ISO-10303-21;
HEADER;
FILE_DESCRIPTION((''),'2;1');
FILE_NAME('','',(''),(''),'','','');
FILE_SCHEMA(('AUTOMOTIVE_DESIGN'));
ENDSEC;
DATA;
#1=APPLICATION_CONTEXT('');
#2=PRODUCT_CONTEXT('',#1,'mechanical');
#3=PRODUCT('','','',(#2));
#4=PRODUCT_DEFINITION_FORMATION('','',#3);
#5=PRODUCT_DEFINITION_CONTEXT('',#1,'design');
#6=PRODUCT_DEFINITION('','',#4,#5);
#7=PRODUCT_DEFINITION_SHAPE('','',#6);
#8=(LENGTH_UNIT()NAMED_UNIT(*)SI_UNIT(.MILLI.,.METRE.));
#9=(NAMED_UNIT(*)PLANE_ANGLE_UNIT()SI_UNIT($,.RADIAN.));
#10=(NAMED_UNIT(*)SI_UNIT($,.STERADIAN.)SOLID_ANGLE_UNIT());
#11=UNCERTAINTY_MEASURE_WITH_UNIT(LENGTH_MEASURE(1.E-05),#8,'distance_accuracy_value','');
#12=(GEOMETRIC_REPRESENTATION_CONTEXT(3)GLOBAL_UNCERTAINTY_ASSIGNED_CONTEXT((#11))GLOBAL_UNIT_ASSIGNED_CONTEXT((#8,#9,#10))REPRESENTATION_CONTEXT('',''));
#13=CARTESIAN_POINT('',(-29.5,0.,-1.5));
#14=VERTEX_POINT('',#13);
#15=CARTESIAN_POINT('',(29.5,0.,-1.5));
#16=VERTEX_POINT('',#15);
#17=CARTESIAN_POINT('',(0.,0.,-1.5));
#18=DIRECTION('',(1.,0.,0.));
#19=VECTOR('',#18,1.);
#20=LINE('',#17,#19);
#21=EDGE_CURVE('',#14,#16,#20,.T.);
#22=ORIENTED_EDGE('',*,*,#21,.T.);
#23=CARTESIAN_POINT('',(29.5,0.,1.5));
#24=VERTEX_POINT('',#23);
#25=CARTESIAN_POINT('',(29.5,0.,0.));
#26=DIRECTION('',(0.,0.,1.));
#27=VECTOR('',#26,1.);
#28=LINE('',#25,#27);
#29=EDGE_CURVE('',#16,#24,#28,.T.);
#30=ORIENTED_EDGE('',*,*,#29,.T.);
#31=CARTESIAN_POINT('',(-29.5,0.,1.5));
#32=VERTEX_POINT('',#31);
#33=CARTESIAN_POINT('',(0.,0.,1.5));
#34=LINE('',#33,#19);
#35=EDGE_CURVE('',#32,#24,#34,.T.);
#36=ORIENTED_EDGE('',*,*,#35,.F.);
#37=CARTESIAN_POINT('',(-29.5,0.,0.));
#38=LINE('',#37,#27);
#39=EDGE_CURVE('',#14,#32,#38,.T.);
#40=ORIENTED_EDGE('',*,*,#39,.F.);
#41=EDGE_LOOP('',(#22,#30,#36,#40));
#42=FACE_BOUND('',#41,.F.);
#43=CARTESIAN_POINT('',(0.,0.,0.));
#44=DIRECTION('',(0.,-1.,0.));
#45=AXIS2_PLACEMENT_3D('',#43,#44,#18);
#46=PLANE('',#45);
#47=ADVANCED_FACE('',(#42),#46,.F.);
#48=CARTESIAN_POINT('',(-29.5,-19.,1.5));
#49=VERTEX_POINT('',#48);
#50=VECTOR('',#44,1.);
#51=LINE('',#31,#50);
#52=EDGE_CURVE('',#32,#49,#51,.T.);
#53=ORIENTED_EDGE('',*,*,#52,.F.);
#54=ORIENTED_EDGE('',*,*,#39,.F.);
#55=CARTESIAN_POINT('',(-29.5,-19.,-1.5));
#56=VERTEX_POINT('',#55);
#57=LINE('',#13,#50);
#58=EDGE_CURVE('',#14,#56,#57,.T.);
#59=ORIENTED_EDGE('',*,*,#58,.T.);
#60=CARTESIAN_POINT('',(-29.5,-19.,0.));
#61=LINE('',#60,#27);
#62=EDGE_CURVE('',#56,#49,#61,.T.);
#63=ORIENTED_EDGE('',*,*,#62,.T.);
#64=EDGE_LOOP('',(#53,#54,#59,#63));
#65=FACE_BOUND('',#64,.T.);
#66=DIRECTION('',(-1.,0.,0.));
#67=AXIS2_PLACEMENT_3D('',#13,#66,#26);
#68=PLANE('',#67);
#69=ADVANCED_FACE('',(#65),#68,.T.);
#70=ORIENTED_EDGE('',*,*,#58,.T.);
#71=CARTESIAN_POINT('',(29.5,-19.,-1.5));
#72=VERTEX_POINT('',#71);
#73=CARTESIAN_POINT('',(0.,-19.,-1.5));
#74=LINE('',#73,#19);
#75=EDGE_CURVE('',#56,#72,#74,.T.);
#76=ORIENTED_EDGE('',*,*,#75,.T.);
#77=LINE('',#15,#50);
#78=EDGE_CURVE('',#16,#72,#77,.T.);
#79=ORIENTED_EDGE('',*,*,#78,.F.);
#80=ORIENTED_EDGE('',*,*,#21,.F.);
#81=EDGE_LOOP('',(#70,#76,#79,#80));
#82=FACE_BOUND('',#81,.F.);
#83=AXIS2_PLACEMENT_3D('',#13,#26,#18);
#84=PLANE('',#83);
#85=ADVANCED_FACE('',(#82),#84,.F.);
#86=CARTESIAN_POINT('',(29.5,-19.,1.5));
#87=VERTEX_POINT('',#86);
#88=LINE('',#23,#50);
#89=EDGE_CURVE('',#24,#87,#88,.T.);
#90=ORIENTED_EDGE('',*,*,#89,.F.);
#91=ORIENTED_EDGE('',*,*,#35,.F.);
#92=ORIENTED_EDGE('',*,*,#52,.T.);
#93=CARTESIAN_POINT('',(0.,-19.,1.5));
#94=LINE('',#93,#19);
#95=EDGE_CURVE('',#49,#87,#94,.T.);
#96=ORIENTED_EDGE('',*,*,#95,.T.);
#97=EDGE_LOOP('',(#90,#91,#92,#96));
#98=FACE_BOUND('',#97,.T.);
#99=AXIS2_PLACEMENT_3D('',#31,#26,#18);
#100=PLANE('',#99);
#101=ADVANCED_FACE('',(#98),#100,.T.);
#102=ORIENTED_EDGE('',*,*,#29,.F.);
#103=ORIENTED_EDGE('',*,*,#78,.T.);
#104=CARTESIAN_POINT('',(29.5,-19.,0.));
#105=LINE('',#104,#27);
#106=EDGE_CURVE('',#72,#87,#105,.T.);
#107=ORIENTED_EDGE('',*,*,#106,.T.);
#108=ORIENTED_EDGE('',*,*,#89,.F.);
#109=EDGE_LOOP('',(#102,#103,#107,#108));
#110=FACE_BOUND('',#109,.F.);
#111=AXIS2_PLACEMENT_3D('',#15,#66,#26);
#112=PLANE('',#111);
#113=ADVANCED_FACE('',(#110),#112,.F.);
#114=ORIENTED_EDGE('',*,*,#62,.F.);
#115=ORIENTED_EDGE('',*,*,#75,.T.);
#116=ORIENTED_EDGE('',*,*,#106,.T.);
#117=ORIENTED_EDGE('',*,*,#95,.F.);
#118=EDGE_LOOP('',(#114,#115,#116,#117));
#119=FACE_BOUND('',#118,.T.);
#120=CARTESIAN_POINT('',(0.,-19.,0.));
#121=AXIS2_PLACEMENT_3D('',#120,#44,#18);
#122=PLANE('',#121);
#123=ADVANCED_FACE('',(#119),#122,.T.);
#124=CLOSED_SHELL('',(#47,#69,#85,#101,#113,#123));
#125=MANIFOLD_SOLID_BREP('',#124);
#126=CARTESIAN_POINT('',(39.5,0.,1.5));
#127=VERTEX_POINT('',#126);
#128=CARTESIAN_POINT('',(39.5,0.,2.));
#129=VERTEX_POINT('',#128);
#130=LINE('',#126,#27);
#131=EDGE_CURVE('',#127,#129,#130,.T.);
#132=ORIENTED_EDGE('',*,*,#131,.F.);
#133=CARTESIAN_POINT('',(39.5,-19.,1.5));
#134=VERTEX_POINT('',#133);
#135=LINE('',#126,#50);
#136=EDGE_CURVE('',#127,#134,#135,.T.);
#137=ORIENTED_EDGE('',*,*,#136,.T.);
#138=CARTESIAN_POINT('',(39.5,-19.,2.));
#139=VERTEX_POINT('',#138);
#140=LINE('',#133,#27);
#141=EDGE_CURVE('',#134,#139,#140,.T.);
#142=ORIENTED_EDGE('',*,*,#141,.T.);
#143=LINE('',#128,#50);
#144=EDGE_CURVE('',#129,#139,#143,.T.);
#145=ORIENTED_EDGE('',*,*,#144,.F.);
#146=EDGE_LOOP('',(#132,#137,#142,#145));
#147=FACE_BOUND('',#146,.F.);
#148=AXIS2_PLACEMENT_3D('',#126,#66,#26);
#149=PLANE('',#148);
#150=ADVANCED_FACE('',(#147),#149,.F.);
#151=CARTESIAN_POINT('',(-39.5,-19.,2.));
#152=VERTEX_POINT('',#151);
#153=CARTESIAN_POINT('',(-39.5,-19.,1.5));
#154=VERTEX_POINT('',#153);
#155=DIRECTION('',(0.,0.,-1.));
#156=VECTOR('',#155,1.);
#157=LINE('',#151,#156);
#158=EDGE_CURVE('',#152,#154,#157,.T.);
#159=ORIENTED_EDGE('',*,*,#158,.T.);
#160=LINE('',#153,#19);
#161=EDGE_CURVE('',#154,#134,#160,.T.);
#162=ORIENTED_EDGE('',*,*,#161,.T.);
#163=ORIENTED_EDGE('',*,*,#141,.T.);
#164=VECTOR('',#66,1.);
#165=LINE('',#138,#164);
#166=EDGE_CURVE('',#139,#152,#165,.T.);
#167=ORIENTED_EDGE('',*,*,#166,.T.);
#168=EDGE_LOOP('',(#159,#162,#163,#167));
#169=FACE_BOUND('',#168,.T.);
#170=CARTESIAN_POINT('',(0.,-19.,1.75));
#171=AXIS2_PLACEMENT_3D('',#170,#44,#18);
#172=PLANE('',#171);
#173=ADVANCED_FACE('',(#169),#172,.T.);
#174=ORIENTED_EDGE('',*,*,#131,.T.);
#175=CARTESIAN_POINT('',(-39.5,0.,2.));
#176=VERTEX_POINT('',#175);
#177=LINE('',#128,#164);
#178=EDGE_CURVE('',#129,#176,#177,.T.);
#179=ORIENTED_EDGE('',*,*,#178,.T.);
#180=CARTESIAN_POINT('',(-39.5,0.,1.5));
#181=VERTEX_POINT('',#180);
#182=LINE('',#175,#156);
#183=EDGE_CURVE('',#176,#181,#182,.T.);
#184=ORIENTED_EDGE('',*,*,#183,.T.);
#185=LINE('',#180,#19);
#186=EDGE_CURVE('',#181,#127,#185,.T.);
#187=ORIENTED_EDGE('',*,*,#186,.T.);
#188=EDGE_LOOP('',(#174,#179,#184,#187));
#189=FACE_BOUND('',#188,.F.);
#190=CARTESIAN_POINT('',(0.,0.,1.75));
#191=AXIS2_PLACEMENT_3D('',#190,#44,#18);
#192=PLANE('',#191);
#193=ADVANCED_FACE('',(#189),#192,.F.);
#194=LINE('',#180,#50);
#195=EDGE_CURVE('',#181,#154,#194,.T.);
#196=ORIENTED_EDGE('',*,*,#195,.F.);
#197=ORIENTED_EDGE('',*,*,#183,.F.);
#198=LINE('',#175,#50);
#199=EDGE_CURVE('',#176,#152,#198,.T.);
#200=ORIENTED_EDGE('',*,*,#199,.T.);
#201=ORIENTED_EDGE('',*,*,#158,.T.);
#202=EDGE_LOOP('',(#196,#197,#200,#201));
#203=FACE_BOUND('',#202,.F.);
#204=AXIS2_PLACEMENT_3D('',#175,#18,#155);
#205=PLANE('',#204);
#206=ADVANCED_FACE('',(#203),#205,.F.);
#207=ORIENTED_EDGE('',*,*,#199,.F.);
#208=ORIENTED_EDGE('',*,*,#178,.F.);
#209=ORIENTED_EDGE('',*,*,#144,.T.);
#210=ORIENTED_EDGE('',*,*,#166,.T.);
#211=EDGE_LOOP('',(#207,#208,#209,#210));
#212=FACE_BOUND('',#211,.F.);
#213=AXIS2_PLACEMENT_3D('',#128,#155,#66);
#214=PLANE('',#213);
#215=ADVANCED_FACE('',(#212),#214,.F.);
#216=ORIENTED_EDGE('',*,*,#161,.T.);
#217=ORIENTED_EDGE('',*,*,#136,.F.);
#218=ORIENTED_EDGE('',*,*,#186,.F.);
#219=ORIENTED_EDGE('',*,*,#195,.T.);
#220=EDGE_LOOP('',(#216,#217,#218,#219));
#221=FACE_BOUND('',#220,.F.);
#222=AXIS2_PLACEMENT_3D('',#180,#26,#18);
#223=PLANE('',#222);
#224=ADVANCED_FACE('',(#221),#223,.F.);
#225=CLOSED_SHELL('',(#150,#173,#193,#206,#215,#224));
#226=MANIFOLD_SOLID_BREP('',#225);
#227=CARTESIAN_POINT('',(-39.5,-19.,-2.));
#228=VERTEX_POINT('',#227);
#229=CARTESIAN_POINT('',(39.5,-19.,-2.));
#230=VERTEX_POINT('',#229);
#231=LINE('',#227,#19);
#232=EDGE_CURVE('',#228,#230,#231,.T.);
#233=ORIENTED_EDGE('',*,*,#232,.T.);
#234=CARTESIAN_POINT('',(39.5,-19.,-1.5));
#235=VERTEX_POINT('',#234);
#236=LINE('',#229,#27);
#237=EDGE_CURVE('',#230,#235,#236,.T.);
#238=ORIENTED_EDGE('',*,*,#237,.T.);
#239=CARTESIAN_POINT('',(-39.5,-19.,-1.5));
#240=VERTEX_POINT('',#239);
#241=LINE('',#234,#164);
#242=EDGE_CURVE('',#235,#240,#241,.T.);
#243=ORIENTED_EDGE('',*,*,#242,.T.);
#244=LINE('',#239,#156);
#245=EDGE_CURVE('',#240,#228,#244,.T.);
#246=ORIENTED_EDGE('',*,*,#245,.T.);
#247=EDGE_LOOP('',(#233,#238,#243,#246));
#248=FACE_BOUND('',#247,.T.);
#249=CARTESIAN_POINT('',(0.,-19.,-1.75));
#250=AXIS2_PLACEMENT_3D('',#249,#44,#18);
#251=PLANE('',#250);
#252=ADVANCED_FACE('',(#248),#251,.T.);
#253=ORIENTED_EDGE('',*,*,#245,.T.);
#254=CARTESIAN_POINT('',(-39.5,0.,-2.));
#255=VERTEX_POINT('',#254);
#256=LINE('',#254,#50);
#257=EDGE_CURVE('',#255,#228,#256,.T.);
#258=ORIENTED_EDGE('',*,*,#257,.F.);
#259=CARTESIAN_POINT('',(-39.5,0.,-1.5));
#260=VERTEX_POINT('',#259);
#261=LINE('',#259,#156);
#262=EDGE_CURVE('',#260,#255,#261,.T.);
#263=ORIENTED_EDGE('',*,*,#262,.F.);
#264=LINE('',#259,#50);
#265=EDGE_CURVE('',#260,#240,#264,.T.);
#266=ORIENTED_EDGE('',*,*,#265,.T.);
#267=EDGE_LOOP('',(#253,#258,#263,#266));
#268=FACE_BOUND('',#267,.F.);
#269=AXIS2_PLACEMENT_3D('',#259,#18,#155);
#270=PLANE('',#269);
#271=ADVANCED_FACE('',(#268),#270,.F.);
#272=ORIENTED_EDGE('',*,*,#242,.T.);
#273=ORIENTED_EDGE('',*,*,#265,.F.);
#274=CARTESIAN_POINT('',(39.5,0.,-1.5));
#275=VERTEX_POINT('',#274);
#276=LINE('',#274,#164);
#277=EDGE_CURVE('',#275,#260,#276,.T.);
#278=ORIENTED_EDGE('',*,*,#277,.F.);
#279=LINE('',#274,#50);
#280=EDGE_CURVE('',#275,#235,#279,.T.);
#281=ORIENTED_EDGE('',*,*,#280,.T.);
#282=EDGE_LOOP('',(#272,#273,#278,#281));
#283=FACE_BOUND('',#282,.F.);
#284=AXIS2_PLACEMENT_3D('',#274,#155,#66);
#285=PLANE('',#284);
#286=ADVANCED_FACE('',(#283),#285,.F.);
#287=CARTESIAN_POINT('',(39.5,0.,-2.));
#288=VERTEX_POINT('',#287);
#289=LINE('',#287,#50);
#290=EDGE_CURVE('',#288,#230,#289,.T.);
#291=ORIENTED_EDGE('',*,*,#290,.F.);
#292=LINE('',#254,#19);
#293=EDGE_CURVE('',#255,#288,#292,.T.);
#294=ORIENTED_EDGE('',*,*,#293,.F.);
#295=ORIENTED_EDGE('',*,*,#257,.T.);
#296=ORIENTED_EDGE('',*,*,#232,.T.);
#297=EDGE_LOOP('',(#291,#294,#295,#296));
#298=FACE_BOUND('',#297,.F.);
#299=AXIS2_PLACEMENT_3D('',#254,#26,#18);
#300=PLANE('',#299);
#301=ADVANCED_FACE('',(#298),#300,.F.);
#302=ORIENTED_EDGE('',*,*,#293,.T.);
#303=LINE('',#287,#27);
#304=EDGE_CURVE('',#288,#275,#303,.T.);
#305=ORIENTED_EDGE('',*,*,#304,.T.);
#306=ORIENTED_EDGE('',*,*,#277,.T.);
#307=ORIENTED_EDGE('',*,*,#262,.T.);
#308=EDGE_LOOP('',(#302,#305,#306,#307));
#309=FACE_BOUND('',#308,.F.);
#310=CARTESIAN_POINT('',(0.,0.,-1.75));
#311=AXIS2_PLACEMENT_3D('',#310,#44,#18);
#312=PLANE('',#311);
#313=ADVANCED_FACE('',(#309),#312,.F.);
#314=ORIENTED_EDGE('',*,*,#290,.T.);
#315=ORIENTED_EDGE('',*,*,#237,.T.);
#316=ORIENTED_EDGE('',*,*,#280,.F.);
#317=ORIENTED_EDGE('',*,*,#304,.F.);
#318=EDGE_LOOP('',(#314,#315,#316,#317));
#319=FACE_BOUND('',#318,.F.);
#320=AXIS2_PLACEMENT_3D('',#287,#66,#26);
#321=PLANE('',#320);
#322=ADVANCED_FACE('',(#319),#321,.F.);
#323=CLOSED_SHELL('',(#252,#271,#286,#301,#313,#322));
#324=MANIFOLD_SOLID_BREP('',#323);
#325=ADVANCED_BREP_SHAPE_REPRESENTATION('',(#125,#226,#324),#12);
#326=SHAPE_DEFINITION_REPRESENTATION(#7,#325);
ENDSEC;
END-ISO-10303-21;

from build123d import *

# Parameters (mm, degrees)
F1_DEPTH = 19
F0_W     = 59
F0_H     = 3
F2_DEPTH = 19


with BuildPart() as f1:
    # F0 (on Front) → F1 (new body)
    with BuildSketch(Plane.XZ):
        Polygon((-29.5, 1.5), (29.5, 1.5), (39.5, 1.5), (39.5, 2), (-39.5, 2), (-39.5, 1.5), align=None)
        Polygon((39.5, -1.5), (29.5, -1.5), (-29.5, -1.5), (-39.5, -1.5), (-39.5, -2), (39.5, -2), align=None)
    extrude(amount=F1_DEPTH)


with BuildPart() as f2:
    # F0 (on Front) → F2 (new body)
    with BuildSketch(Plane.XZ):
        Rectangle(F0_W, F0_H)
    extrude(amount=F2_DEPTH)


solid = Compound([f1.part, f2.part])
